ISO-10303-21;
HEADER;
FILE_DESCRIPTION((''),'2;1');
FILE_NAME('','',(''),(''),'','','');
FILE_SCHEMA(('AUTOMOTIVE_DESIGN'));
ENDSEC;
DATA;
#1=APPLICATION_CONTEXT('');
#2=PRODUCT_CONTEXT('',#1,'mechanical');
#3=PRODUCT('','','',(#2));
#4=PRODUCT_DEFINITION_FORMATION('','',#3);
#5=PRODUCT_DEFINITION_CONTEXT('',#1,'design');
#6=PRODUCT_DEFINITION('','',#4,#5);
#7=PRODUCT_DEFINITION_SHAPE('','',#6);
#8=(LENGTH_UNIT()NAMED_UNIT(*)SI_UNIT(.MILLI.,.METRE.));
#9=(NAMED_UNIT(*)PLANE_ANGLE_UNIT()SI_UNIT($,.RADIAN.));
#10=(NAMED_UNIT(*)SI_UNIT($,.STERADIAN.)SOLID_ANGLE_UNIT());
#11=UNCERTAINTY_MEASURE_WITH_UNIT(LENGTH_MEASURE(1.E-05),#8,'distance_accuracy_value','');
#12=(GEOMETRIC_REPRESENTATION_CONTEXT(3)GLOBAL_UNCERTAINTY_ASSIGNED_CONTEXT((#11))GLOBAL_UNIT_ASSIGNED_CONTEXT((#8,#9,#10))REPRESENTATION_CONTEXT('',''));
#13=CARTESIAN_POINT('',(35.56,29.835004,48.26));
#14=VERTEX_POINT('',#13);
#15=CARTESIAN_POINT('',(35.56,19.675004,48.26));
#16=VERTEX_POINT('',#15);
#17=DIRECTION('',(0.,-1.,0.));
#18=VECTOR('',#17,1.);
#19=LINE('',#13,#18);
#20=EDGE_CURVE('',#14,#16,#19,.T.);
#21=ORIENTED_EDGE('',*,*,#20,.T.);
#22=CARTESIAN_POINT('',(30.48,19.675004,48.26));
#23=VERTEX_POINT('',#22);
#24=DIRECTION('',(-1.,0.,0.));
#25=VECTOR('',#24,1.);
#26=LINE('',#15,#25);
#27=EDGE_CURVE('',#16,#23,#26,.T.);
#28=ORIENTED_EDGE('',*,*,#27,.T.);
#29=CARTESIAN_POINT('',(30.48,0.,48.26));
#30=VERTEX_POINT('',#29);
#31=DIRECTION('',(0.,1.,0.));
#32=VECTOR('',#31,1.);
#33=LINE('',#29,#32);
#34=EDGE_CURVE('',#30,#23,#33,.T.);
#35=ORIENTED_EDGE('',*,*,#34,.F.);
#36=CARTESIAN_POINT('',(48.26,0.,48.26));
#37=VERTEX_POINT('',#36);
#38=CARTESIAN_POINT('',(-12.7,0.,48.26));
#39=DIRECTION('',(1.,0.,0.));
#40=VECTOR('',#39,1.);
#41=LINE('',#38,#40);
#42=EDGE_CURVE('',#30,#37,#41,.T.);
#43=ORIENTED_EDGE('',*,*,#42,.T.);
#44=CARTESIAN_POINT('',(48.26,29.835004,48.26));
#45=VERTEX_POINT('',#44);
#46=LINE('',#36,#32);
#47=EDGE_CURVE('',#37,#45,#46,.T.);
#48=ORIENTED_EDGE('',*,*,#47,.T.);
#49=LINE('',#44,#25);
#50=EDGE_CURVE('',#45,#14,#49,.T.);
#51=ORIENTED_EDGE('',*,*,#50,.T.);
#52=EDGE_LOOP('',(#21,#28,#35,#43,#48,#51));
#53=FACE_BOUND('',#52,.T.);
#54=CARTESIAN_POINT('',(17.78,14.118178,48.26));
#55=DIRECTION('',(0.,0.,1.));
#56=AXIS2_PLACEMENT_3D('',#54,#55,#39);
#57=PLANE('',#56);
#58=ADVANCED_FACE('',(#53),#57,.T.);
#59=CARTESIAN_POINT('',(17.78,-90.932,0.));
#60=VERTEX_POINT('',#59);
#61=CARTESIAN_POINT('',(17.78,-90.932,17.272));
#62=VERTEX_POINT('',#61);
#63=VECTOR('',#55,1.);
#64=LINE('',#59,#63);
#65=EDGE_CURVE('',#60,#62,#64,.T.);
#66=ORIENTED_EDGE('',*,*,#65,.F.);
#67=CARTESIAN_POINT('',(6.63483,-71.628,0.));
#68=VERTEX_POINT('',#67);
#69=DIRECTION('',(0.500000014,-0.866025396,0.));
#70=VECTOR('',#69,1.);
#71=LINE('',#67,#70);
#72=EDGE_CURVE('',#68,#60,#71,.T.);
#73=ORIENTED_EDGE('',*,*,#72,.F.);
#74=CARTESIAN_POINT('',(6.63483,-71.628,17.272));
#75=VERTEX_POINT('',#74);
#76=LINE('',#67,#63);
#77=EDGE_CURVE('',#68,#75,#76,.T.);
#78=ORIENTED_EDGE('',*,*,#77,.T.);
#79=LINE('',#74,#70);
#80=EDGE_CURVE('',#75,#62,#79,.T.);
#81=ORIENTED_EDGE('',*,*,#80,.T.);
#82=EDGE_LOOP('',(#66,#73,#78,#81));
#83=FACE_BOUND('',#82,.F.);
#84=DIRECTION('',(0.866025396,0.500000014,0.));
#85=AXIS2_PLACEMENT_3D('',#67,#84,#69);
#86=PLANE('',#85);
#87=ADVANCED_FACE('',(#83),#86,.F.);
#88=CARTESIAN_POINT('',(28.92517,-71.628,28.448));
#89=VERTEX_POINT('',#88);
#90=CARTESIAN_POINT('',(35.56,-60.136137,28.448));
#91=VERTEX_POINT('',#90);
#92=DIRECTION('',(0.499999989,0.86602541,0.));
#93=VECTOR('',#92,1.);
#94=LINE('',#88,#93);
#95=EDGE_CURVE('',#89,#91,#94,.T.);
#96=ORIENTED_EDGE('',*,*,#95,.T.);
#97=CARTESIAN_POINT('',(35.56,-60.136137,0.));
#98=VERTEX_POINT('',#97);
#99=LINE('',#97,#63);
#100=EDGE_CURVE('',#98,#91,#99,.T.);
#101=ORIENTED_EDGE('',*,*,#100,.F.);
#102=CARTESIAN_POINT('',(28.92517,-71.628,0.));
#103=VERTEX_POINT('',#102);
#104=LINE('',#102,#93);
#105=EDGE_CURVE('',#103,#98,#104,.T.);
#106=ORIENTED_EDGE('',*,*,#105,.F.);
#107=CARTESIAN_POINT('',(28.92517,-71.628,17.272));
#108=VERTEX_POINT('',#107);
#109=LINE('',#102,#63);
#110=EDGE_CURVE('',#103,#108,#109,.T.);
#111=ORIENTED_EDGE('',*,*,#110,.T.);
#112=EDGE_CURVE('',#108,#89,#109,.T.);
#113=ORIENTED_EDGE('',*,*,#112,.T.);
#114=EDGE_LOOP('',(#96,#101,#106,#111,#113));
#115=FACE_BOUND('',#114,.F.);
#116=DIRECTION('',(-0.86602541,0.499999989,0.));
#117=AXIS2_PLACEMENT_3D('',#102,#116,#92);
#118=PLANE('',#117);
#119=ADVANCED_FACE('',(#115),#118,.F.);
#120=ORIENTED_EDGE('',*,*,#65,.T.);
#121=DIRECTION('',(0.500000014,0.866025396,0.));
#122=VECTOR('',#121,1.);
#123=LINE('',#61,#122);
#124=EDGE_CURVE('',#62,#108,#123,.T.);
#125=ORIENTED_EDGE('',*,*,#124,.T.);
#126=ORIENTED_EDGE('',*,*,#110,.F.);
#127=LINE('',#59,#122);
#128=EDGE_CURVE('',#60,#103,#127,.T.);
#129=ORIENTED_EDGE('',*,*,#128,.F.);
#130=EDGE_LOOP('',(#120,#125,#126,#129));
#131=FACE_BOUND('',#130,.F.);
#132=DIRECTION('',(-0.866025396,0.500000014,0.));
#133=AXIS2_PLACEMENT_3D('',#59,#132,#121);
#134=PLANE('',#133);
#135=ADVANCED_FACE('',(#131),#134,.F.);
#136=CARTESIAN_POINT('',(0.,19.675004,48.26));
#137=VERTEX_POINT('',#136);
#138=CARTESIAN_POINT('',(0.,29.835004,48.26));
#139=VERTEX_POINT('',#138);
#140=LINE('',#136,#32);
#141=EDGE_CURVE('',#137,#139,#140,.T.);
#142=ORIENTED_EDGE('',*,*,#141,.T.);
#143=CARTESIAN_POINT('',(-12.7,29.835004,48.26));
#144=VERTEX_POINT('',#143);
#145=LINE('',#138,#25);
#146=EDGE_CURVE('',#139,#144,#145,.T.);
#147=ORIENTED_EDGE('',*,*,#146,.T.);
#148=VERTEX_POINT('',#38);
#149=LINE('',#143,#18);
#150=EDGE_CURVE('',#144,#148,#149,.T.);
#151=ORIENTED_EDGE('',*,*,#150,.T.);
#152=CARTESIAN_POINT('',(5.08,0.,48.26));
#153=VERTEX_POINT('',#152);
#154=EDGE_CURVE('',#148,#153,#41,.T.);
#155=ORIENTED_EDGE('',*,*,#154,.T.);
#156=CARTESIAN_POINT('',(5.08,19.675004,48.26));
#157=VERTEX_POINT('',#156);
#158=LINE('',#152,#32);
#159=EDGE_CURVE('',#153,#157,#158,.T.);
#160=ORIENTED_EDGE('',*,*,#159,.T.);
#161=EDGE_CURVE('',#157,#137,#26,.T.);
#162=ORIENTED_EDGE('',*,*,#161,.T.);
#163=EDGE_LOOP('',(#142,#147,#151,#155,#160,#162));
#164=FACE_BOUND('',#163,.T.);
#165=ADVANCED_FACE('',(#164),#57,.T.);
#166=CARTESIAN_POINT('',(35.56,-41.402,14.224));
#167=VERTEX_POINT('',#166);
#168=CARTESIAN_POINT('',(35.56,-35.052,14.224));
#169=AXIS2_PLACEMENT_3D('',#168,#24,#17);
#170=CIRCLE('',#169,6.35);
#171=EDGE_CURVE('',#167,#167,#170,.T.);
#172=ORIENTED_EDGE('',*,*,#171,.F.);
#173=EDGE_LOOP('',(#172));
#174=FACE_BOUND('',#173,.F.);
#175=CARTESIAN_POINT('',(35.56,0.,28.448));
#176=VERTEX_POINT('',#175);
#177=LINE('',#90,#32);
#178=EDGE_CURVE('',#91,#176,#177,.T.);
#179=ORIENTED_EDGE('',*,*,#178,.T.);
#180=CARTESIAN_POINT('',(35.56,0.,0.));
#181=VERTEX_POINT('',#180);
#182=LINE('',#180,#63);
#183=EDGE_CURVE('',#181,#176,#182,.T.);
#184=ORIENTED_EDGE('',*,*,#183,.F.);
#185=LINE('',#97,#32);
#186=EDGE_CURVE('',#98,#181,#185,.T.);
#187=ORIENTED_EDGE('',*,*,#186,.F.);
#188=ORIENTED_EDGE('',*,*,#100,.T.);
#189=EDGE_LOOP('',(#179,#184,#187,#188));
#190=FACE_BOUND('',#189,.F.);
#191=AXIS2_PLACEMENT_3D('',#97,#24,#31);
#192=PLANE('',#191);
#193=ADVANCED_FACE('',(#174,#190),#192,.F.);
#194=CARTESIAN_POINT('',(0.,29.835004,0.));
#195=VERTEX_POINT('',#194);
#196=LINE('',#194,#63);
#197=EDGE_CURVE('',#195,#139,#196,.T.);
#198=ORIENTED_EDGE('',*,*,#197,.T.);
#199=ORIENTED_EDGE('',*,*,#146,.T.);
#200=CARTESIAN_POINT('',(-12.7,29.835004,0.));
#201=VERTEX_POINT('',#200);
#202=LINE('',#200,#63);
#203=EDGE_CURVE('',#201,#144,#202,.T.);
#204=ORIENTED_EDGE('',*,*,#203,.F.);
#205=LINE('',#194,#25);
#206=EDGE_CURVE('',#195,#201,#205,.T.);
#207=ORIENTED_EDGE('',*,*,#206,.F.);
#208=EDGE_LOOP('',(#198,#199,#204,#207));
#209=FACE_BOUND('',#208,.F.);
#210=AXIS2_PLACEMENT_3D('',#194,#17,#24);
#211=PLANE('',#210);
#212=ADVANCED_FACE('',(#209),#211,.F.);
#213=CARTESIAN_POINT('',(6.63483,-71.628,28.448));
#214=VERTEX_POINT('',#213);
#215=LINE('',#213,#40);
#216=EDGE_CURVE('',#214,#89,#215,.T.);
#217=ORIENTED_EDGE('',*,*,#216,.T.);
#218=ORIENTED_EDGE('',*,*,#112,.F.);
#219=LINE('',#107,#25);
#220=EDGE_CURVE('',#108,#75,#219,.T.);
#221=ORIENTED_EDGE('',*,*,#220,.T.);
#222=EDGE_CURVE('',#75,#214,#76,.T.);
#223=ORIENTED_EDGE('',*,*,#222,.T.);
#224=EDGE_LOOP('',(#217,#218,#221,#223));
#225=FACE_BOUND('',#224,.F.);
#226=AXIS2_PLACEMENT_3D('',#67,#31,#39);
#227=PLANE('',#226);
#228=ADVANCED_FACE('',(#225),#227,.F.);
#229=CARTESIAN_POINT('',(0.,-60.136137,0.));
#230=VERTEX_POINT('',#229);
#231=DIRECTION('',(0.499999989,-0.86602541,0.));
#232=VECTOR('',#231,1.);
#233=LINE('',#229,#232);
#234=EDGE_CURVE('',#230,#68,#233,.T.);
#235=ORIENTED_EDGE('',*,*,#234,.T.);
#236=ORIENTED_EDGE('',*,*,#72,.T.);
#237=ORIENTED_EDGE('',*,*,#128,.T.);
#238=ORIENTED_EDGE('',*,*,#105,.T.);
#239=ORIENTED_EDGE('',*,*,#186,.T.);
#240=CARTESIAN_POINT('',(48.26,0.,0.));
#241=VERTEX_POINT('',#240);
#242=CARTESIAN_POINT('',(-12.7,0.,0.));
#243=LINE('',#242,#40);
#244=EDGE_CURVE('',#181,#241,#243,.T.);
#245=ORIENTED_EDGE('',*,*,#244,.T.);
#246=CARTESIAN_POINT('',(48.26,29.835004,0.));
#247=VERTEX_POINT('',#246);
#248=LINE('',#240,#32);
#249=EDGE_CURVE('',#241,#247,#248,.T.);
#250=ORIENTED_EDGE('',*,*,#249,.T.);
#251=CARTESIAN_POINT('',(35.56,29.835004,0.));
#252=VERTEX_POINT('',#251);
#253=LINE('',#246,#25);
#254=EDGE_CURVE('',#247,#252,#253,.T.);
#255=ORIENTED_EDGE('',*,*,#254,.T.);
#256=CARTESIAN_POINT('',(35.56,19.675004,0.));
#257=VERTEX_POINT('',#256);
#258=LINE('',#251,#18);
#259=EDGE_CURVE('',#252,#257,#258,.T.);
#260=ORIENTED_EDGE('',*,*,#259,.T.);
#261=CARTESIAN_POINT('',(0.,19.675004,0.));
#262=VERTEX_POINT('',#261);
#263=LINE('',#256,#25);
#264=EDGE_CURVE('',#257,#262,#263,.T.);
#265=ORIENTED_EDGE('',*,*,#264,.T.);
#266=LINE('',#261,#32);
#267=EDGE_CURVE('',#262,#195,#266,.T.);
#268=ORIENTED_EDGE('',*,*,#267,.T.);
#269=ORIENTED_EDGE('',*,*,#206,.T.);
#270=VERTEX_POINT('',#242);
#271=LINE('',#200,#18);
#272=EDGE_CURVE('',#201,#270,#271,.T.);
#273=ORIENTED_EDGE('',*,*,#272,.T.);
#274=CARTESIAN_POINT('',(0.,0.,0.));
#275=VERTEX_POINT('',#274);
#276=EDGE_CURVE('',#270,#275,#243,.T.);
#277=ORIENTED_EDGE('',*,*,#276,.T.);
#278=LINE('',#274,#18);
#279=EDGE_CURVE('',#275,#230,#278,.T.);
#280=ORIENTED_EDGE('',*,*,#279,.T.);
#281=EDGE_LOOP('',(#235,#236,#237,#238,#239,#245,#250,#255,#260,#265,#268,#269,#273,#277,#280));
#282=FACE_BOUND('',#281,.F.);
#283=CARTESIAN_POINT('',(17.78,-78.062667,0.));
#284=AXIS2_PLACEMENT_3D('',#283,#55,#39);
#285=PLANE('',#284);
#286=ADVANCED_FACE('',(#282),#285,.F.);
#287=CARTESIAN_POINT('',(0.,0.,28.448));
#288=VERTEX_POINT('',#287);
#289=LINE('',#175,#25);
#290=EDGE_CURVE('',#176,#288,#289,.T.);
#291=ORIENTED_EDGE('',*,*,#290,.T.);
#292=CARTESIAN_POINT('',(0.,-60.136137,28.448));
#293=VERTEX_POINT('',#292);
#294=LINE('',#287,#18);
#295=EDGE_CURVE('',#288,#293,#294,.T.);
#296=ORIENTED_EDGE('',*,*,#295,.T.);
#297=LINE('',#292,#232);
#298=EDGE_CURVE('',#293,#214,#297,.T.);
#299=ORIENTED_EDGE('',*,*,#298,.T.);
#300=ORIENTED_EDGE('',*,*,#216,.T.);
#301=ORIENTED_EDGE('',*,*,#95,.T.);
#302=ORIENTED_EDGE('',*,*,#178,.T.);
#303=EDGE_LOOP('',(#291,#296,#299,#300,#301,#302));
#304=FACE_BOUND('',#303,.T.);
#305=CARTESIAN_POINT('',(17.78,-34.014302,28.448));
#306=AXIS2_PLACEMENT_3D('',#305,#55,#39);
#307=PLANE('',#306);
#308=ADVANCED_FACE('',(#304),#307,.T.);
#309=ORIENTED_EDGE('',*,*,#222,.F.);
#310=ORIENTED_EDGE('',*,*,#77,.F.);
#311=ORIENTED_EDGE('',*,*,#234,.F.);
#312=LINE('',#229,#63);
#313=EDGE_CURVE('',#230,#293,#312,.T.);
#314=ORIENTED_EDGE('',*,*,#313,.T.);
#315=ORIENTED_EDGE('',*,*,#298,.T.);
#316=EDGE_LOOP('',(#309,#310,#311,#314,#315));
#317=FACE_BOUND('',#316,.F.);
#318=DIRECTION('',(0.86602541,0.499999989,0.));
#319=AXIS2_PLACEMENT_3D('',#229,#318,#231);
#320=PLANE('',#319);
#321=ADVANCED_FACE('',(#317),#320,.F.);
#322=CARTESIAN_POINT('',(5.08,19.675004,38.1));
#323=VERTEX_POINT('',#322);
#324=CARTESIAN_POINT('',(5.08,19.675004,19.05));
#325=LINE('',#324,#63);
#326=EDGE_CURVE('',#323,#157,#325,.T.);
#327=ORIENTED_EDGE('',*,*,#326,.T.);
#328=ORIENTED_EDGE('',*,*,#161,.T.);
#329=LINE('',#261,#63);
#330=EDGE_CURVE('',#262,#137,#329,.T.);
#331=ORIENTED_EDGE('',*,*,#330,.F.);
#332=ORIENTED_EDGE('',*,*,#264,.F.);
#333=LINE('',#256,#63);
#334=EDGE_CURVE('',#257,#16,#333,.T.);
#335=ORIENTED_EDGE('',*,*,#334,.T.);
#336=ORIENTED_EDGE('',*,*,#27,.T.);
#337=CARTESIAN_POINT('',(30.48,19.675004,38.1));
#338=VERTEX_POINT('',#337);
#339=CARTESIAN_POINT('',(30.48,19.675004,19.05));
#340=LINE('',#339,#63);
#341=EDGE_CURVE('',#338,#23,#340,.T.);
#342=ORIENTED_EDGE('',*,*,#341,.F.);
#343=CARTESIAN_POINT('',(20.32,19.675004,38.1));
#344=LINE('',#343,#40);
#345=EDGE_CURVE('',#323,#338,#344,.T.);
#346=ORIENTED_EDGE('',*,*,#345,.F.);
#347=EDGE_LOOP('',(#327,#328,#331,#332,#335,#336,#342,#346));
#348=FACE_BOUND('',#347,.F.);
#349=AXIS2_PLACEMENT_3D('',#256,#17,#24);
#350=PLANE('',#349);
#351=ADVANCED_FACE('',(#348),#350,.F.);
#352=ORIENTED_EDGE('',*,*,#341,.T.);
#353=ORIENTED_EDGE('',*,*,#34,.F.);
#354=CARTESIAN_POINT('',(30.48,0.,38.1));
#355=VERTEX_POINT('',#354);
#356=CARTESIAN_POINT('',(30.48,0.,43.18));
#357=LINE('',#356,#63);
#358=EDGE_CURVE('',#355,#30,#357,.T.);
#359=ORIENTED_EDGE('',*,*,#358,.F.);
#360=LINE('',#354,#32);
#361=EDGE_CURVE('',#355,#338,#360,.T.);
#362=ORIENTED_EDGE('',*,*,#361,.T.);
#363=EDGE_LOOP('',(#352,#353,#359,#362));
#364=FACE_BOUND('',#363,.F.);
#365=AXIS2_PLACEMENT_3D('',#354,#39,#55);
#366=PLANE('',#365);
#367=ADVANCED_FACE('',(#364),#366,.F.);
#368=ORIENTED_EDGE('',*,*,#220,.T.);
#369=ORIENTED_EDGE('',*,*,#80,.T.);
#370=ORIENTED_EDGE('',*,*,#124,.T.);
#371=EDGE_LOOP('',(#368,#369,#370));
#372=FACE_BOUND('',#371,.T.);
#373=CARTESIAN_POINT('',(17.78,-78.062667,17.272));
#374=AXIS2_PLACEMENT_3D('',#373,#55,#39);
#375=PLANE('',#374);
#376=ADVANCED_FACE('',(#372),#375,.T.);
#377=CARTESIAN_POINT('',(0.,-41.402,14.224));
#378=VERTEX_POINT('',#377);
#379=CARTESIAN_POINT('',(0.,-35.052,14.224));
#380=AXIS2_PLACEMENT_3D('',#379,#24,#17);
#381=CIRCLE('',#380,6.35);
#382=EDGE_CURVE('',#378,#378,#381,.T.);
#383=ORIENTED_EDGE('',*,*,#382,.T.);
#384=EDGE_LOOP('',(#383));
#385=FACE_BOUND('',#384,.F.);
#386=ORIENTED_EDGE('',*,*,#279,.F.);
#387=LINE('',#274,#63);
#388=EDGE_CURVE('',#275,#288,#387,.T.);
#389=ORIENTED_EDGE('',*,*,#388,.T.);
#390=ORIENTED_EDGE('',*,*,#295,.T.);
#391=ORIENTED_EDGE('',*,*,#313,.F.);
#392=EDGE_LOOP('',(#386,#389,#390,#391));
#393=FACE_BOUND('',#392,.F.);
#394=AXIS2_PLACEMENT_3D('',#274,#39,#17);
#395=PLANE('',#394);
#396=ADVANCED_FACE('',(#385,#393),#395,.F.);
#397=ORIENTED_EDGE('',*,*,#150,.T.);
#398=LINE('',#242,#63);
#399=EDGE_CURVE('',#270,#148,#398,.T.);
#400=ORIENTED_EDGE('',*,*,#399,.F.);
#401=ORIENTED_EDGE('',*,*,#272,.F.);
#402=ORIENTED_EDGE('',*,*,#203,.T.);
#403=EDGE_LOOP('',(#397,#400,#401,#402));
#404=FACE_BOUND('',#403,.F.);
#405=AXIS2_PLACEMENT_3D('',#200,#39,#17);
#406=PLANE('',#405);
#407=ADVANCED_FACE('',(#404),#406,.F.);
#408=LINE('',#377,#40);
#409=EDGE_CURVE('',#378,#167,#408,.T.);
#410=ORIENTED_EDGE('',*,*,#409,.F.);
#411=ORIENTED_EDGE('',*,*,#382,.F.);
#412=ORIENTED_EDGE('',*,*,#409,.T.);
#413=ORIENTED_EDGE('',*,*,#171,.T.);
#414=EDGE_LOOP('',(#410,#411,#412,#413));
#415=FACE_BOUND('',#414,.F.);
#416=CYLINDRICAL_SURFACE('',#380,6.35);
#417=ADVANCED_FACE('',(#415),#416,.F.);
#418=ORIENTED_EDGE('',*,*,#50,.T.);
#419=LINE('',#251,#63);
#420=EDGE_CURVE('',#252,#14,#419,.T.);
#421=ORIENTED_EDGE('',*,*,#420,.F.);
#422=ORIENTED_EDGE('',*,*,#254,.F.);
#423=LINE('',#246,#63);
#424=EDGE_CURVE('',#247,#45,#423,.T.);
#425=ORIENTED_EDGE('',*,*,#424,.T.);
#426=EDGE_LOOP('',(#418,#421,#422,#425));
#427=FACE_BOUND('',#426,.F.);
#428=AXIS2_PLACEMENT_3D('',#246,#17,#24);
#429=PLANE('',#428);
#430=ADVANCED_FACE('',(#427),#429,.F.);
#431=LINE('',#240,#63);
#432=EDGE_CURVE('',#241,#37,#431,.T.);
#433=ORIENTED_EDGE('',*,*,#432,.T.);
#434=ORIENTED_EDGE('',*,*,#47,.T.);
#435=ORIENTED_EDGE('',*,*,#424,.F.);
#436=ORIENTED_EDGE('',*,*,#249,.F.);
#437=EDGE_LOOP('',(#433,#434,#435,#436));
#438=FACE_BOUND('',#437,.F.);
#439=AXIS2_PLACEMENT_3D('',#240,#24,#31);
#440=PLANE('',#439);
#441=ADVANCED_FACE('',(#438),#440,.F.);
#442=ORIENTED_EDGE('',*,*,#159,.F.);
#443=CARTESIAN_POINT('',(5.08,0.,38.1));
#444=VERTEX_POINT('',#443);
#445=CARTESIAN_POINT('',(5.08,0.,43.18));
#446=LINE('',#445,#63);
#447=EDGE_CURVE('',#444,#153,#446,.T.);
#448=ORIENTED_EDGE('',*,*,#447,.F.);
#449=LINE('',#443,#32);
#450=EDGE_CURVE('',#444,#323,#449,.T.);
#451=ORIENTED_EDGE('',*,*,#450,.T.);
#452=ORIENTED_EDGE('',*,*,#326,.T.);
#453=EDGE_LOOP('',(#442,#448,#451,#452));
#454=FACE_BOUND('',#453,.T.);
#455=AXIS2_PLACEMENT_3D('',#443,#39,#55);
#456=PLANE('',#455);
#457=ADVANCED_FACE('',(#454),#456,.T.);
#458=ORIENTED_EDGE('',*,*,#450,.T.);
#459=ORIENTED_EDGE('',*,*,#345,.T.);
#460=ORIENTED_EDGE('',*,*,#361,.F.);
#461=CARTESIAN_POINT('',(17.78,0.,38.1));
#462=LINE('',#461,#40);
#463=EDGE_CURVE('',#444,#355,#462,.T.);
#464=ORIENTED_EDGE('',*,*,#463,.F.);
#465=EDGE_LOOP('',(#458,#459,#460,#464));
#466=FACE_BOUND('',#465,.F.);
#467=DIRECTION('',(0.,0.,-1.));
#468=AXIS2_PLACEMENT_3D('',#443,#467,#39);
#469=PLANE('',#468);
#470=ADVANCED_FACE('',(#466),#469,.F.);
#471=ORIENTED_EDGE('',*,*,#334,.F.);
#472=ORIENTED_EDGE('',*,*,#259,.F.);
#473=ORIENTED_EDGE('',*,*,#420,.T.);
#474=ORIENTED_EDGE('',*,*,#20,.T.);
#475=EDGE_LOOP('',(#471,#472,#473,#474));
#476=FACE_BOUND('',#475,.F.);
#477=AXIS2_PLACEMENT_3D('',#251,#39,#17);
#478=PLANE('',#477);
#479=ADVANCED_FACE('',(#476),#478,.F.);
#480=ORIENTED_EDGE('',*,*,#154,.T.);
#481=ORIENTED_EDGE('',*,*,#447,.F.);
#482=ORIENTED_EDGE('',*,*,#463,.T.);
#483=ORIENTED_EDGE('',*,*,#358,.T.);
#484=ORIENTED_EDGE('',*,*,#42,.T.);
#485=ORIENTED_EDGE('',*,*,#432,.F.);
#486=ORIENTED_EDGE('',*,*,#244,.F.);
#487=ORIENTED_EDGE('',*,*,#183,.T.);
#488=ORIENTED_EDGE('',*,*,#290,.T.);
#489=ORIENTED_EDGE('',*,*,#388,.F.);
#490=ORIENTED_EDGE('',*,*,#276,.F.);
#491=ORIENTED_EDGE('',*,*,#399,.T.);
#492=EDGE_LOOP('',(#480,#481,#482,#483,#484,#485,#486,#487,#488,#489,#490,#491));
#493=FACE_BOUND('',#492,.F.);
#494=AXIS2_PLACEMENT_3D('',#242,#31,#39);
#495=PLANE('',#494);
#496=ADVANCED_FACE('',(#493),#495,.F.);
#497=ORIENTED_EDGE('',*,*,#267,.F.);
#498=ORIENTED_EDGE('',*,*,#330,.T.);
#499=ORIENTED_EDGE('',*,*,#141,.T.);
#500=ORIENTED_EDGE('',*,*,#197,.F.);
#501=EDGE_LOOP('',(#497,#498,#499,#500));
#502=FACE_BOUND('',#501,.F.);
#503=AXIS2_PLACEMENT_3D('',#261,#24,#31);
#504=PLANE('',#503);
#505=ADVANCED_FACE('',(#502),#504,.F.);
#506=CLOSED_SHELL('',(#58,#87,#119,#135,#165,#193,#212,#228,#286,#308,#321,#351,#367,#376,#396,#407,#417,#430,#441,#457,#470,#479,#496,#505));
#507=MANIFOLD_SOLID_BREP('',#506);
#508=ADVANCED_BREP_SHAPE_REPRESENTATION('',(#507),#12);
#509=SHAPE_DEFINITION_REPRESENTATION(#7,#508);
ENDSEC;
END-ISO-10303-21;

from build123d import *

# Parameters (mm, degrees)
F1_DEPTH = 48.26
F2_DEPTH = 28.448
F3_DEPTH = 17.272
F4_W     = 25.4
F4_H     = 10.16
F5_DEPTH = 25.4
F6_R     = 6.35
F7_DEPTH = 48.261


with BuildPart() as f1:
    # F0 (on Top) → F1 (new body)
    with BuildSketch(Plane.XY):
        Polygon((-12.7, 0), (0, 0), (35.56, 0), (48.26, 0), (48.26, 29.835004), (35.56, 29.835004), (35.56, 19.675004), (0, 19.675004), (0, 29.835004), (-12.7, 29.835004), align=None)
    extrude(amount=F1_DEPTH)

    # F0 (on Top) → F2 (join)
    with BuildSketch(Plane.XY):
        Polygon((35.56, 0), (0, 0), (0, -60.136137), (6.63483, -71.628), (28.92517, -71.628), (35.56, -60.136137), align=None)
    extrude(amount=F2_DEPTH)

    # F0 (on Top) → F3 (join)
    with BuildSketch(Plane.XY):
        Polygon((28.92517, -71.628), (6.63483, -71.628), (17.78, -90.932), align=None)
    extrude(amount=F3_DEPTH)

    # F4 (on face) → F5 (cut)
    with BuildSketch(Plane.XZ):
        with Locations((17.78, 43.18)):
            Rectangle(F4_W, F4_H)
    extrude(amount=-F5_DEPTH, mode=Mode.SUBTRACT)

    # F6 (on face) → F7 (cut, through all)
    with BuildSketch(Plane(origin=(0, 0, 0), x_dir=(0, -1, 0), z_dir=(-1, 0, 0))):
        with Locations((35.052, 14.224)):
            Circle(F6_R)
    extrude(amount=-F7_DEPTH, mode=Mode.SUBTRACT)


solid = f1.part
